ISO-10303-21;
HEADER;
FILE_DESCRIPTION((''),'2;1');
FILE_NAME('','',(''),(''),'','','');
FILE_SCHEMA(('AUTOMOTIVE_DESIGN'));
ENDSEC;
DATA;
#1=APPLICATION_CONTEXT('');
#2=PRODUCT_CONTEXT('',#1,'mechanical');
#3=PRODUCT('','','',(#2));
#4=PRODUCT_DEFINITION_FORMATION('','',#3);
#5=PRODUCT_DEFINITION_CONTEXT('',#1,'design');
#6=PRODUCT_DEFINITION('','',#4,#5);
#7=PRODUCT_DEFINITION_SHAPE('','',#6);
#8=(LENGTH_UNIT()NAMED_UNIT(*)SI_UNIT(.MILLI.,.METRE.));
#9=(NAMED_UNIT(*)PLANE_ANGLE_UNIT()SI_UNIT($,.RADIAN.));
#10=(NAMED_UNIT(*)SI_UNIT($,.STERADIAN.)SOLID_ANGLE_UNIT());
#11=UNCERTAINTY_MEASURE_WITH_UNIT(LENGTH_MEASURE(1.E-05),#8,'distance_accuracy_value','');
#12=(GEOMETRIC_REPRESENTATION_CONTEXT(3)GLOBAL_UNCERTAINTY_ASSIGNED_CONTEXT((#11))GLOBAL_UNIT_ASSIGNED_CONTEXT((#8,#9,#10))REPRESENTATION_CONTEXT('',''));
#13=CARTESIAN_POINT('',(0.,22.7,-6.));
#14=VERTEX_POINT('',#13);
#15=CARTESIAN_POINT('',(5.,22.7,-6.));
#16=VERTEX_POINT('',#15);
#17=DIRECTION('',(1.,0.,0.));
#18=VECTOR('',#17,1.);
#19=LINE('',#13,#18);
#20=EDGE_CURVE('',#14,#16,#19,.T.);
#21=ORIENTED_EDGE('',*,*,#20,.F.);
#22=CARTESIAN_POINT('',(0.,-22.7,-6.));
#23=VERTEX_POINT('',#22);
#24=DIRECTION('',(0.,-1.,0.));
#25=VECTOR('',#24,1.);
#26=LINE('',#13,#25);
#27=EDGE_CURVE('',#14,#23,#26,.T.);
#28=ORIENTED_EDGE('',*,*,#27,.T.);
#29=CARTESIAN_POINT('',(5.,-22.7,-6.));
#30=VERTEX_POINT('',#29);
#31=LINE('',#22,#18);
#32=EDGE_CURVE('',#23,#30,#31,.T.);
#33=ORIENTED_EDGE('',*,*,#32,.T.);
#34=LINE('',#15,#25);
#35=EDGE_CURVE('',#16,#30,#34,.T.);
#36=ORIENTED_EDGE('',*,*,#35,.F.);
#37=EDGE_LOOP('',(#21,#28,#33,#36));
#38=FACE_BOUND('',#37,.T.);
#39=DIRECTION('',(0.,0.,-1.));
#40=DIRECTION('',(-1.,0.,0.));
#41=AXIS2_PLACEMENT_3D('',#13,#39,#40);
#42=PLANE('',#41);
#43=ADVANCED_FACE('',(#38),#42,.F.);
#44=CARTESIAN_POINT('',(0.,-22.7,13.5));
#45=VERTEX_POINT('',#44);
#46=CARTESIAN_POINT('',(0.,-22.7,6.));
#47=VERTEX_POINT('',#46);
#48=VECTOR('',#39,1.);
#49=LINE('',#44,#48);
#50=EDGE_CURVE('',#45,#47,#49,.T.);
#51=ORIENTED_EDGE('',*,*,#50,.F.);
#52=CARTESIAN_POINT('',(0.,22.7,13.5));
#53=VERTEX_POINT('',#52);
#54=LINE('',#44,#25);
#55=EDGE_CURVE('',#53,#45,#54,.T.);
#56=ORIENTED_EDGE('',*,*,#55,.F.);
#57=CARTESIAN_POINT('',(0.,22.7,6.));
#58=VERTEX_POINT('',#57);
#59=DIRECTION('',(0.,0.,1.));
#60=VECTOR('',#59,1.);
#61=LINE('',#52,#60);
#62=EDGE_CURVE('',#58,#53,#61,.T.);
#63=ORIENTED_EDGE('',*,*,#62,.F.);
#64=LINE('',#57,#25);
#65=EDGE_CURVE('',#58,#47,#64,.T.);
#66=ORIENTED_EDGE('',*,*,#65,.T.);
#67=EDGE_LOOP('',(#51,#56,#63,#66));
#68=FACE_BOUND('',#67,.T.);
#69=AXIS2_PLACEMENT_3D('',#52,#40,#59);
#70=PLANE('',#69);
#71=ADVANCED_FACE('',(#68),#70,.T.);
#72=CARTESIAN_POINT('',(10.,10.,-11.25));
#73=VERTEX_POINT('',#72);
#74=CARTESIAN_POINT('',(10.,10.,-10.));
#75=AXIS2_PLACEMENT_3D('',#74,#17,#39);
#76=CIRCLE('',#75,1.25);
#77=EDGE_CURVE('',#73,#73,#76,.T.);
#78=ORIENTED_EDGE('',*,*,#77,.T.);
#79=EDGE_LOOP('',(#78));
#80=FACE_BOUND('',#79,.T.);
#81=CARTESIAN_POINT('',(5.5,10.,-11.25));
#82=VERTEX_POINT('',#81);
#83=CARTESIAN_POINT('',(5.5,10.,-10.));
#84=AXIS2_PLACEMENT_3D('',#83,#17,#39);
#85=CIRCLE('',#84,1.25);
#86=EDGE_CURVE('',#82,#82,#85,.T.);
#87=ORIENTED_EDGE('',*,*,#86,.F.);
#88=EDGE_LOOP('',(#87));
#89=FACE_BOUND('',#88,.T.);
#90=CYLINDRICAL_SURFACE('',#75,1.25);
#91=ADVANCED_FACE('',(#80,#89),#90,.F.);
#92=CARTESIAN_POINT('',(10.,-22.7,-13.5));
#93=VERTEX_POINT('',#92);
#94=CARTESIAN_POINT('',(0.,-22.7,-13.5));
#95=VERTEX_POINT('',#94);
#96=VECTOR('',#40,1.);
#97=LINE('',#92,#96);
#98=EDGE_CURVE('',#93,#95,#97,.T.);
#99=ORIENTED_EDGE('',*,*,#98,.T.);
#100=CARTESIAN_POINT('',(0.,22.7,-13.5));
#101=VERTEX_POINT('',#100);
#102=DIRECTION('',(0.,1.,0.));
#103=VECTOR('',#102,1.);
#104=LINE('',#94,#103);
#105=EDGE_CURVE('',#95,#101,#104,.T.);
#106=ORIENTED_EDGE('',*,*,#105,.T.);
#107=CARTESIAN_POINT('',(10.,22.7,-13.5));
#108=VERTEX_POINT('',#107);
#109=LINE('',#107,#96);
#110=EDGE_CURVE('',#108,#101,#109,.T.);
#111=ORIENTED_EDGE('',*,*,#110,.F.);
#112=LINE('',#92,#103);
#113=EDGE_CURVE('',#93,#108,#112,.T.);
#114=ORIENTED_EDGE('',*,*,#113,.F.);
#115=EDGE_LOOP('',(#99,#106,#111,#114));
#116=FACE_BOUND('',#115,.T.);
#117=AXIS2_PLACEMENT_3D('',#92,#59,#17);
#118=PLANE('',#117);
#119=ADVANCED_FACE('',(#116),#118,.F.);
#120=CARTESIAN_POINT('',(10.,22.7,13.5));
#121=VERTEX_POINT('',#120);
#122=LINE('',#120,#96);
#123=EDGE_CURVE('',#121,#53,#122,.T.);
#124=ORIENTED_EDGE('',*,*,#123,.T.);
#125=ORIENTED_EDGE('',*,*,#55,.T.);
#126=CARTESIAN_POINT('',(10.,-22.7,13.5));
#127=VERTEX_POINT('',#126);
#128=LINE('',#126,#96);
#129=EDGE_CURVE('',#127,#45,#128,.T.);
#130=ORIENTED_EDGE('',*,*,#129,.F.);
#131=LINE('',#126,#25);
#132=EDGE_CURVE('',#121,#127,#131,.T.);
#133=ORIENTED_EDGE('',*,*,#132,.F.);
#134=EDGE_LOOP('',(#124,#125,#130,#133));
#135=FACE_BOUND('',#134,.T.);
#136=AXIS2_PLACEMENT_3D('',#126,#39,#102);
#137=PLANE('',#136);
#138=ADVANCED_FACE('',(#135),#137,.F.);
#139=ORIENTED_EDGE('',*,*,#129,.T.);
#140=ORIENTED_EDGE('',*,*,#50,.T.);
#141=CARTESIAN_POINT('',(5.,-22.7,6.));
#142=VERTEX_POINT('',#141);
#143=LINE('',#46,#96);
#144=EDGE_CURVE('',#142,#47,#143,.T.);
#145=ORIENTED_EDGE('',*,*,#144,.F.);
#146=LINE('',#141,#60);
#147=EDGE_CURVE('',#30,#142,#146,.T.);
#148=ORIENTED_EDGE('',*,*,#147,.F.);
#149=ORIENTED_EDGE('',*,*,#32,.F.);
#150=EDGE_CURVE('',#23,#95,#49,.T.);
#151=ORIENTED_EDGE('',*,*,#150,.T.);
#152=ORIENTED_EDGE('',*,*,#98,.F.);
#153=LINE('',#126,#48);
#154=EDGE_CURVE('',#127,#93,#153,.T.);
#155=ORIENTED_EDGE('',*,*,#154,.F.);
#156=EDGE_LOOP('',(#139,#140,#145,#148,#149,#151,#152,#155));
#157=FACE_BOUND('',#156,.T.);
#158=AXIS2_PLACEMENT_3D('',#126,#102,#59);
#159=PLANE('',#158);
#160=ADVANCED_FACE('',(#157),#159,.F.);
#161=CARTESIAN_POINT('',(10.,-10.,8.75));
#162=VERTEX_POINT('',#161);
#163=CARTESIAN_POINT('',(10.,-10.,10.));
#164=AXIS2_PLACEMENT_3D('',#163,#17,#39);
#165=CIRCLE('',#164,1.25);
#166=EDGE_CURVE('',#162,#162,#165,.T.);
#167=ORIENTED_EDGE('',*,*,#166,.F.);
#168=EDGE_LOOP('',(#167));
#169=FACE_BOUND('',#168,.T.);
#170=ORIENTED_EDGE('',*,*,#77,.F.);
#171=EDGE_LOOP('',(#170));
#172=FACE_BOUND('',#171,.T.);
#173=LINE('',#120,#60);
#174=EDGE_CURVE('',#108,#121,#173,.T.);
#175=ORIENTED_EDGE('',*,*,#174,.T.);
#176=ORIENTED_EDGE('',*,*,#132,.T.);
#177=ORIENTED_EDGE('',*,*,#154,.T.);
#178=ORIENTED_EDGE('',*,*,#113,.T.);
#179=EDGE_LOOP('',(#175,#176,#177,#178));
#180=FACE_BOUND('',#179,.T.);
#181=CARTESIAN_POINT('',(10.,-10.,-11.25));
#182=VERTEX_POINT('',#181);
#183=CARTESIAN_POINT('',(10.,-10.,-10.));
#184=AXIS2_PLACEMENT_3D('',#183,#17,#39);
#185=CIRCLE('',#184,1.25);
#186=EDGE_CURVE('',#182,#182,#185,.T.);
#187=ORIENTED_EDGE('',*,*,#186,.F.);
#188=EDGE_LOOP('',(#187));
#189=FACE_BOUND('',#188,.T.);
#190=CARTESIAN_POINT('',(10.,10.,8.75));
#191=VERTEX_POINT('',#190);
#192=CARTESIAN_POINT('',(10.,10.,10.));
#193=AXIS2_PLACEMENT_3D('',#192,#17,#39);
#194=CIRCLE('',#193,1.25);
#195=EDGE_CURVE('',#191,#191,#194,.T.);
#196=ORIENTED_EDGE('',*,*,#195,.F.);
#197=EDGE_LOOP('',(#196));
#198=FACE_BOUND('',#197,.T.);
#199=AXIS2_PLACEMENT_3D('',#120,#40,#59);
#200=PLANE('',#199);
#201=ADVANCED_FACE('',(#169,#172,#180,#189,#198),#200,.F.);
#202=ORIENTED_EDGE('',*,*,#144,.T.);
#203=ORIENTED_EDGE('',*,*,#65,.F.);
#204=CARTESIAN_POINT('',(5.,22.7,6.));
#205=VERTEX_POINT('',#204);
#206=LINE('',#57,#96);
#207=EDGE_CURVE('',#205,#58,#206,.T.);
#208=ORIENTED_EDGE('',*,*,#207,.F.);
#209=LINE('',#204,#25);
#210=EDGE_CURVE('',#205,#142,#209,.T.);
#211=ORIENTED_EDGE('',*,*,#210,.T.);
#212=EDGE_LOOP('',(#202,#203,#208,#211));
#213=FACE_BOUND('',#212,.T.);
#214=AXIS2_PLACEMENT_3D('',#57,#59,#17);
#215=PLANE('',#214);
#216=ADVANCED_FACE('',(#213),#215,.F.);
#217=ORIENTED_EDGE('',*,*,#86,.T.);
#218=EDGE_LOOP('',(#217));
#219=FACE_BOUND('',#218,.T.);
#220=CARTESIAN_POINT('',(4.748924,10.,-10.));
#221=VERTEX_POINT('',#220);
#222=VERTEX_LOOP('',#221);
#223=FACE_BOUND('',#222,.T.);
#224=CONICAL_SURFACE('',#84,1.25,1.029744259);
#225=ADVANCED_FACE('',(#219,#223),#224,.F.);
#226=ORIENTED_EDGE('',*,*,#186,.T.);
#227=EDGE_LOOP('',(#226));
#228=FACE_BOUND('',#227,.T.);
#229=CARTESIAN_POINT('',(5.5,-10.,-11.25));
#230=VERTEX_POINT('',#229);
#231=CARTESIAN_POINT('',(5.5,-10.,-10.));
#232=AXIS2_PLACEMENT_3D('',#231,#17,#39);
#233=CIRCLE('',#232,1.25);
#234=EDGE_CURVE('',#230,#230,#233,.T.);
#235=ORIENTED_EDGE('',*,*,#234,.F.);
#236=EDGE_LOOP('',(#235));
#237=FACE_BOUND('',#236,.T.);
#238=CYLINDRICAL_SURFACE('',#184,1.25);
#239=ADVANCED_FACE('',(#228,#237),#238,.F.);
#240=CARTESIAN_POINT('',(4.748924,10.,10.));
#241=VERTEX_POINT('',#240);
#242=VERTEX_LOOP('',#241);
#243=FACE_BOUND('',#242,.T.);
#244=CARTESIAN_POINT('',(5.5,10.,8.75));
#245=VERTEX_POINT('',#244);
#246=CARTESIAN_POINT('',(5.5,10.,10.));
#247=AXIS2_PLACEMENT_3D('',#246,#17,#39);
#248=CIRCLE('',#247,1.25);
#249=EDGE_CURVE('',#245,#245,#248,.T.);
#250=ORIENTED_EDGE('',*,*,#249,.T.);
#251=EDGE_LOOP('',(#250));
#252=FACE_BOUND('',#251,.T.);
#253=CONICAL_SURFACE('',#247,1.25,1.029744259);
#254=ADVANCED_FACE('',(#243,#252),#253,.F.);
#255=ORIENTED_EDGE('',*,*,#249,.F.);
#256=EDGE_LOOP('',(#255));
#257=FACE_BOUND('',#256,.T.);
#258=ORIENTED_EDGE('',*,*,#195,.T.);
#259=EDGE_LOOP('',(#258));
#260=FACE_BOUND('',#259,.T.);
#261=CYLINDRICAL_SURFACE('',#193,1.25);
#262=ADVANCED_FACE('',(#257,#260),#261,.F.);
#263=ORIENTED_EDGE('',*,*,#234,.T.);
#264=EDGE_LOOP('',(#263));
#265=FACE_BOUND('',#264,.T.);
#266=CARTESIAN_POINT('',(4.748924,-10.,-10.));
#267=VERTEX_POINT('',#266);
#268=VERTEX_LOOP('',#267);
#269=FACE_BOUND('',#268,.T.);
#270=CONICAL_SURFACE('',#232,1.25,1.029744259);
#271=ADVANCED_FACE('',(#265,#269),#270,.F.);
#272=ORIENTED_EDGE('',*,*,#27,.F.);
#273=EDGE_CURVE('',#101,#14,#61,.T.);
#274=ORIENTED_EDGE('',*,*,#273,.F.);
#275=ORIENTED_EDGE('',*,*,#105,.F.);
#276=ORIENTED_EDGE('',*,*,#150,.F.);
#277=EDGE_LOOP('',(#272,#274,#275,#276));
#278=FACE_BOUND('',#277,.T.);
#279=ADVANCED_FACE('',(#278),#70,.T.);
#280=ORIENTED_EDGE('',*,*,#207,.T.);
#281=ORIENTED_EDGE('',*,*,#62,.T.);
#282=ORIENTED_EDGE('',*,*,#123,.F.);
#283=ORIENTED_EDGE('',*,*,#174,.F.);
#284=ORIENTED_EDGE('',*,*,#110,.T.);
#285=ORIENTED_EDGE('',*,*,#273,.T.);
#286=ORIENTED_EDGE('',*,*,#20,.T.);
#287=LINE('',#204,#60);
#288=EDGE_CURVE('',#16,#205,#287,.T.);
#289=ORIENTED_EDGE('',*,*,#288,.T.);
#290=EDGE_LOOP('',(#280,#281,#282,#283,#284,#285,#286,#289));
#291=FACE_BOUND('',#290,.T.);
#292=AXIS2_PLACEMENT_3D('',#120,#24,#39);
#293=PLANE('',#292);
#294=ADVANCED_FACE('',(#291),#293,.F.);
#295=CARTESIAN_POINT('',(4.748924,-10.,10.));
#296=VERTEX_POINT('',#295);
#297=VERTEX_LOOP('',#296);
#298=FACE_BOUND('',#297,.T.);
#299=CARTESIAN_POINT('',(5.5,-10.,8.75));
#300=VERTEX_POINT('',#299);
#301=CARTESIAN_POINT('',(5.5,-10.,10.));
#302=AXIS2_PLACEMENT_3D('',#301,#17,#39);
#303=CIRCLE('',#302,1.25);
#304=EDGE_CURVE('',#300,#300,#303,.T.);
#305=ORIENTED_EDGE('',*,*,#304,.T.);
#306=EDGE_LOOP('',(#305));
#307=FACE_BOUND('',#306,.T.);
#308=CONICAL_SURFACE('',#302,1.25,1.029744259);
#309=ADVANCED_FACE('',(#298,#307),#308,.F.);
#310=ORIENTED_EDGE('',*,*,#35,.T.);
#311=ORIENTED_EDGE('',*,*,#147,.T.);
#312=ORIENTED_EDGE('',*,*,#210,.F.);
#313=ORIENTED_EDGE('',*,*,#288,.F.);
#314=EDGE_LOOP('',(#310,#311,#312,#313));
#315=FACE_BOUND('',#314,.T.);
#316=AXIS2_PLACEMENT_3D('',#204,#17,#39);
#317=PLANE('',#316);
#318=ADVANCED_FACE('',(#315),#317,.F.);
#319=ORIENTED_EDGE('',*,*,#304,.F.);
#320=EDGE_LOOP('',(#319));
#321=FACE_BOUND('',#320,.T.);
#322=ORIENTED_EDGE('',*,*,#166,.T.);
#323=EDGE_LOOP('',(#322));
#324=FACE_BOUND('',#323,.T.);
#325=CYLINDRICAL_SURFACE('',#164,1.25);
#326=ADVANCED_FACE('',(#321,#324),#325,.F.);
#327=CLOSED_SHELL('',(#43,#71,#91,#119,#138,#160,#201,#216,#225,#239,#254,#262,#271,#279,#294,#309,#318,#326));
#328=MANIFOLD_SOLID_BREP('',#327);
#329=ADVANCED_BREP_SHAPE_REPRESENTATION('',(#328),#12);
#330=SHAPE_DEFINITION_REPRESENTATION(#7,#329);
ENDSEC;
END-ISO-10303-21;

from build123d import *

# Parameters (mm, degrees)
SKETCH_1_W             = 27
SKETCH_1_H             = 45.4
EXTRUDE_1_DEPTH        = 10
SKETCH_2_W             = 5
SKETCH_2_H             = 12
CUT_EXTRUDE_1_DEPTH    = 49.408780195
HOLE_WIZARD_M3_1_D     = 2.5
HOLE_WIZARD_M3_1_DEPTH = 4.5
HOLE_WIZARD_M3_1_TIP   = 0.751075774


with BuildPart() as part:
    # 草圖1 → 伸長1 (new body)
    with BuildSketch(Plane(origin=(0, 0, 0), x_dir=(0, 0, -1), z_dir=(1, 0, 0))):
        Rectangle(SKETCH_1_W, SKETCH_1_H)
    extrude(amount=EXTRUDE_1_DEPTH)

    # 草圖2 → 除料-伸長1 (cut, through all)
    with BuildSketch(Plane.XZ.offset(22.7)):
        with Locations((2.5, 0)):
            Rectangle(SKETCH_2_W, SKETCH_2_H)
    extrude(amount=-CUT_EXTRUDE_1_DEPTH, mode=Mode.SUBTRACT)

    # M3 螺紋孔1
    with Locations(Plane(origin=(10, 10, -10), x_dir=(0, 0, 1), z_dir=(1, 0, 0))):
        with Locations((0, 0), (0, 20), (20, 0), (20, 20)):
            Hole(HOLE_WIZARD_M3_1_D / 2, depth=HOLE_WIZARD_M3_1_DEPTH)
            with Locations((0, 0, -(HOLE_WIZARD_M3_1_DEPTH + HOLE_WIZARD_M3_1_TIP / 2))):  # 118° drill point
                Cone(0, HOLE_WIZARD_M3_1_D / 2, HOLE_WIZARD_M3_1_TIP, mode=Mode.SUBTRACT)


solid = part.part
